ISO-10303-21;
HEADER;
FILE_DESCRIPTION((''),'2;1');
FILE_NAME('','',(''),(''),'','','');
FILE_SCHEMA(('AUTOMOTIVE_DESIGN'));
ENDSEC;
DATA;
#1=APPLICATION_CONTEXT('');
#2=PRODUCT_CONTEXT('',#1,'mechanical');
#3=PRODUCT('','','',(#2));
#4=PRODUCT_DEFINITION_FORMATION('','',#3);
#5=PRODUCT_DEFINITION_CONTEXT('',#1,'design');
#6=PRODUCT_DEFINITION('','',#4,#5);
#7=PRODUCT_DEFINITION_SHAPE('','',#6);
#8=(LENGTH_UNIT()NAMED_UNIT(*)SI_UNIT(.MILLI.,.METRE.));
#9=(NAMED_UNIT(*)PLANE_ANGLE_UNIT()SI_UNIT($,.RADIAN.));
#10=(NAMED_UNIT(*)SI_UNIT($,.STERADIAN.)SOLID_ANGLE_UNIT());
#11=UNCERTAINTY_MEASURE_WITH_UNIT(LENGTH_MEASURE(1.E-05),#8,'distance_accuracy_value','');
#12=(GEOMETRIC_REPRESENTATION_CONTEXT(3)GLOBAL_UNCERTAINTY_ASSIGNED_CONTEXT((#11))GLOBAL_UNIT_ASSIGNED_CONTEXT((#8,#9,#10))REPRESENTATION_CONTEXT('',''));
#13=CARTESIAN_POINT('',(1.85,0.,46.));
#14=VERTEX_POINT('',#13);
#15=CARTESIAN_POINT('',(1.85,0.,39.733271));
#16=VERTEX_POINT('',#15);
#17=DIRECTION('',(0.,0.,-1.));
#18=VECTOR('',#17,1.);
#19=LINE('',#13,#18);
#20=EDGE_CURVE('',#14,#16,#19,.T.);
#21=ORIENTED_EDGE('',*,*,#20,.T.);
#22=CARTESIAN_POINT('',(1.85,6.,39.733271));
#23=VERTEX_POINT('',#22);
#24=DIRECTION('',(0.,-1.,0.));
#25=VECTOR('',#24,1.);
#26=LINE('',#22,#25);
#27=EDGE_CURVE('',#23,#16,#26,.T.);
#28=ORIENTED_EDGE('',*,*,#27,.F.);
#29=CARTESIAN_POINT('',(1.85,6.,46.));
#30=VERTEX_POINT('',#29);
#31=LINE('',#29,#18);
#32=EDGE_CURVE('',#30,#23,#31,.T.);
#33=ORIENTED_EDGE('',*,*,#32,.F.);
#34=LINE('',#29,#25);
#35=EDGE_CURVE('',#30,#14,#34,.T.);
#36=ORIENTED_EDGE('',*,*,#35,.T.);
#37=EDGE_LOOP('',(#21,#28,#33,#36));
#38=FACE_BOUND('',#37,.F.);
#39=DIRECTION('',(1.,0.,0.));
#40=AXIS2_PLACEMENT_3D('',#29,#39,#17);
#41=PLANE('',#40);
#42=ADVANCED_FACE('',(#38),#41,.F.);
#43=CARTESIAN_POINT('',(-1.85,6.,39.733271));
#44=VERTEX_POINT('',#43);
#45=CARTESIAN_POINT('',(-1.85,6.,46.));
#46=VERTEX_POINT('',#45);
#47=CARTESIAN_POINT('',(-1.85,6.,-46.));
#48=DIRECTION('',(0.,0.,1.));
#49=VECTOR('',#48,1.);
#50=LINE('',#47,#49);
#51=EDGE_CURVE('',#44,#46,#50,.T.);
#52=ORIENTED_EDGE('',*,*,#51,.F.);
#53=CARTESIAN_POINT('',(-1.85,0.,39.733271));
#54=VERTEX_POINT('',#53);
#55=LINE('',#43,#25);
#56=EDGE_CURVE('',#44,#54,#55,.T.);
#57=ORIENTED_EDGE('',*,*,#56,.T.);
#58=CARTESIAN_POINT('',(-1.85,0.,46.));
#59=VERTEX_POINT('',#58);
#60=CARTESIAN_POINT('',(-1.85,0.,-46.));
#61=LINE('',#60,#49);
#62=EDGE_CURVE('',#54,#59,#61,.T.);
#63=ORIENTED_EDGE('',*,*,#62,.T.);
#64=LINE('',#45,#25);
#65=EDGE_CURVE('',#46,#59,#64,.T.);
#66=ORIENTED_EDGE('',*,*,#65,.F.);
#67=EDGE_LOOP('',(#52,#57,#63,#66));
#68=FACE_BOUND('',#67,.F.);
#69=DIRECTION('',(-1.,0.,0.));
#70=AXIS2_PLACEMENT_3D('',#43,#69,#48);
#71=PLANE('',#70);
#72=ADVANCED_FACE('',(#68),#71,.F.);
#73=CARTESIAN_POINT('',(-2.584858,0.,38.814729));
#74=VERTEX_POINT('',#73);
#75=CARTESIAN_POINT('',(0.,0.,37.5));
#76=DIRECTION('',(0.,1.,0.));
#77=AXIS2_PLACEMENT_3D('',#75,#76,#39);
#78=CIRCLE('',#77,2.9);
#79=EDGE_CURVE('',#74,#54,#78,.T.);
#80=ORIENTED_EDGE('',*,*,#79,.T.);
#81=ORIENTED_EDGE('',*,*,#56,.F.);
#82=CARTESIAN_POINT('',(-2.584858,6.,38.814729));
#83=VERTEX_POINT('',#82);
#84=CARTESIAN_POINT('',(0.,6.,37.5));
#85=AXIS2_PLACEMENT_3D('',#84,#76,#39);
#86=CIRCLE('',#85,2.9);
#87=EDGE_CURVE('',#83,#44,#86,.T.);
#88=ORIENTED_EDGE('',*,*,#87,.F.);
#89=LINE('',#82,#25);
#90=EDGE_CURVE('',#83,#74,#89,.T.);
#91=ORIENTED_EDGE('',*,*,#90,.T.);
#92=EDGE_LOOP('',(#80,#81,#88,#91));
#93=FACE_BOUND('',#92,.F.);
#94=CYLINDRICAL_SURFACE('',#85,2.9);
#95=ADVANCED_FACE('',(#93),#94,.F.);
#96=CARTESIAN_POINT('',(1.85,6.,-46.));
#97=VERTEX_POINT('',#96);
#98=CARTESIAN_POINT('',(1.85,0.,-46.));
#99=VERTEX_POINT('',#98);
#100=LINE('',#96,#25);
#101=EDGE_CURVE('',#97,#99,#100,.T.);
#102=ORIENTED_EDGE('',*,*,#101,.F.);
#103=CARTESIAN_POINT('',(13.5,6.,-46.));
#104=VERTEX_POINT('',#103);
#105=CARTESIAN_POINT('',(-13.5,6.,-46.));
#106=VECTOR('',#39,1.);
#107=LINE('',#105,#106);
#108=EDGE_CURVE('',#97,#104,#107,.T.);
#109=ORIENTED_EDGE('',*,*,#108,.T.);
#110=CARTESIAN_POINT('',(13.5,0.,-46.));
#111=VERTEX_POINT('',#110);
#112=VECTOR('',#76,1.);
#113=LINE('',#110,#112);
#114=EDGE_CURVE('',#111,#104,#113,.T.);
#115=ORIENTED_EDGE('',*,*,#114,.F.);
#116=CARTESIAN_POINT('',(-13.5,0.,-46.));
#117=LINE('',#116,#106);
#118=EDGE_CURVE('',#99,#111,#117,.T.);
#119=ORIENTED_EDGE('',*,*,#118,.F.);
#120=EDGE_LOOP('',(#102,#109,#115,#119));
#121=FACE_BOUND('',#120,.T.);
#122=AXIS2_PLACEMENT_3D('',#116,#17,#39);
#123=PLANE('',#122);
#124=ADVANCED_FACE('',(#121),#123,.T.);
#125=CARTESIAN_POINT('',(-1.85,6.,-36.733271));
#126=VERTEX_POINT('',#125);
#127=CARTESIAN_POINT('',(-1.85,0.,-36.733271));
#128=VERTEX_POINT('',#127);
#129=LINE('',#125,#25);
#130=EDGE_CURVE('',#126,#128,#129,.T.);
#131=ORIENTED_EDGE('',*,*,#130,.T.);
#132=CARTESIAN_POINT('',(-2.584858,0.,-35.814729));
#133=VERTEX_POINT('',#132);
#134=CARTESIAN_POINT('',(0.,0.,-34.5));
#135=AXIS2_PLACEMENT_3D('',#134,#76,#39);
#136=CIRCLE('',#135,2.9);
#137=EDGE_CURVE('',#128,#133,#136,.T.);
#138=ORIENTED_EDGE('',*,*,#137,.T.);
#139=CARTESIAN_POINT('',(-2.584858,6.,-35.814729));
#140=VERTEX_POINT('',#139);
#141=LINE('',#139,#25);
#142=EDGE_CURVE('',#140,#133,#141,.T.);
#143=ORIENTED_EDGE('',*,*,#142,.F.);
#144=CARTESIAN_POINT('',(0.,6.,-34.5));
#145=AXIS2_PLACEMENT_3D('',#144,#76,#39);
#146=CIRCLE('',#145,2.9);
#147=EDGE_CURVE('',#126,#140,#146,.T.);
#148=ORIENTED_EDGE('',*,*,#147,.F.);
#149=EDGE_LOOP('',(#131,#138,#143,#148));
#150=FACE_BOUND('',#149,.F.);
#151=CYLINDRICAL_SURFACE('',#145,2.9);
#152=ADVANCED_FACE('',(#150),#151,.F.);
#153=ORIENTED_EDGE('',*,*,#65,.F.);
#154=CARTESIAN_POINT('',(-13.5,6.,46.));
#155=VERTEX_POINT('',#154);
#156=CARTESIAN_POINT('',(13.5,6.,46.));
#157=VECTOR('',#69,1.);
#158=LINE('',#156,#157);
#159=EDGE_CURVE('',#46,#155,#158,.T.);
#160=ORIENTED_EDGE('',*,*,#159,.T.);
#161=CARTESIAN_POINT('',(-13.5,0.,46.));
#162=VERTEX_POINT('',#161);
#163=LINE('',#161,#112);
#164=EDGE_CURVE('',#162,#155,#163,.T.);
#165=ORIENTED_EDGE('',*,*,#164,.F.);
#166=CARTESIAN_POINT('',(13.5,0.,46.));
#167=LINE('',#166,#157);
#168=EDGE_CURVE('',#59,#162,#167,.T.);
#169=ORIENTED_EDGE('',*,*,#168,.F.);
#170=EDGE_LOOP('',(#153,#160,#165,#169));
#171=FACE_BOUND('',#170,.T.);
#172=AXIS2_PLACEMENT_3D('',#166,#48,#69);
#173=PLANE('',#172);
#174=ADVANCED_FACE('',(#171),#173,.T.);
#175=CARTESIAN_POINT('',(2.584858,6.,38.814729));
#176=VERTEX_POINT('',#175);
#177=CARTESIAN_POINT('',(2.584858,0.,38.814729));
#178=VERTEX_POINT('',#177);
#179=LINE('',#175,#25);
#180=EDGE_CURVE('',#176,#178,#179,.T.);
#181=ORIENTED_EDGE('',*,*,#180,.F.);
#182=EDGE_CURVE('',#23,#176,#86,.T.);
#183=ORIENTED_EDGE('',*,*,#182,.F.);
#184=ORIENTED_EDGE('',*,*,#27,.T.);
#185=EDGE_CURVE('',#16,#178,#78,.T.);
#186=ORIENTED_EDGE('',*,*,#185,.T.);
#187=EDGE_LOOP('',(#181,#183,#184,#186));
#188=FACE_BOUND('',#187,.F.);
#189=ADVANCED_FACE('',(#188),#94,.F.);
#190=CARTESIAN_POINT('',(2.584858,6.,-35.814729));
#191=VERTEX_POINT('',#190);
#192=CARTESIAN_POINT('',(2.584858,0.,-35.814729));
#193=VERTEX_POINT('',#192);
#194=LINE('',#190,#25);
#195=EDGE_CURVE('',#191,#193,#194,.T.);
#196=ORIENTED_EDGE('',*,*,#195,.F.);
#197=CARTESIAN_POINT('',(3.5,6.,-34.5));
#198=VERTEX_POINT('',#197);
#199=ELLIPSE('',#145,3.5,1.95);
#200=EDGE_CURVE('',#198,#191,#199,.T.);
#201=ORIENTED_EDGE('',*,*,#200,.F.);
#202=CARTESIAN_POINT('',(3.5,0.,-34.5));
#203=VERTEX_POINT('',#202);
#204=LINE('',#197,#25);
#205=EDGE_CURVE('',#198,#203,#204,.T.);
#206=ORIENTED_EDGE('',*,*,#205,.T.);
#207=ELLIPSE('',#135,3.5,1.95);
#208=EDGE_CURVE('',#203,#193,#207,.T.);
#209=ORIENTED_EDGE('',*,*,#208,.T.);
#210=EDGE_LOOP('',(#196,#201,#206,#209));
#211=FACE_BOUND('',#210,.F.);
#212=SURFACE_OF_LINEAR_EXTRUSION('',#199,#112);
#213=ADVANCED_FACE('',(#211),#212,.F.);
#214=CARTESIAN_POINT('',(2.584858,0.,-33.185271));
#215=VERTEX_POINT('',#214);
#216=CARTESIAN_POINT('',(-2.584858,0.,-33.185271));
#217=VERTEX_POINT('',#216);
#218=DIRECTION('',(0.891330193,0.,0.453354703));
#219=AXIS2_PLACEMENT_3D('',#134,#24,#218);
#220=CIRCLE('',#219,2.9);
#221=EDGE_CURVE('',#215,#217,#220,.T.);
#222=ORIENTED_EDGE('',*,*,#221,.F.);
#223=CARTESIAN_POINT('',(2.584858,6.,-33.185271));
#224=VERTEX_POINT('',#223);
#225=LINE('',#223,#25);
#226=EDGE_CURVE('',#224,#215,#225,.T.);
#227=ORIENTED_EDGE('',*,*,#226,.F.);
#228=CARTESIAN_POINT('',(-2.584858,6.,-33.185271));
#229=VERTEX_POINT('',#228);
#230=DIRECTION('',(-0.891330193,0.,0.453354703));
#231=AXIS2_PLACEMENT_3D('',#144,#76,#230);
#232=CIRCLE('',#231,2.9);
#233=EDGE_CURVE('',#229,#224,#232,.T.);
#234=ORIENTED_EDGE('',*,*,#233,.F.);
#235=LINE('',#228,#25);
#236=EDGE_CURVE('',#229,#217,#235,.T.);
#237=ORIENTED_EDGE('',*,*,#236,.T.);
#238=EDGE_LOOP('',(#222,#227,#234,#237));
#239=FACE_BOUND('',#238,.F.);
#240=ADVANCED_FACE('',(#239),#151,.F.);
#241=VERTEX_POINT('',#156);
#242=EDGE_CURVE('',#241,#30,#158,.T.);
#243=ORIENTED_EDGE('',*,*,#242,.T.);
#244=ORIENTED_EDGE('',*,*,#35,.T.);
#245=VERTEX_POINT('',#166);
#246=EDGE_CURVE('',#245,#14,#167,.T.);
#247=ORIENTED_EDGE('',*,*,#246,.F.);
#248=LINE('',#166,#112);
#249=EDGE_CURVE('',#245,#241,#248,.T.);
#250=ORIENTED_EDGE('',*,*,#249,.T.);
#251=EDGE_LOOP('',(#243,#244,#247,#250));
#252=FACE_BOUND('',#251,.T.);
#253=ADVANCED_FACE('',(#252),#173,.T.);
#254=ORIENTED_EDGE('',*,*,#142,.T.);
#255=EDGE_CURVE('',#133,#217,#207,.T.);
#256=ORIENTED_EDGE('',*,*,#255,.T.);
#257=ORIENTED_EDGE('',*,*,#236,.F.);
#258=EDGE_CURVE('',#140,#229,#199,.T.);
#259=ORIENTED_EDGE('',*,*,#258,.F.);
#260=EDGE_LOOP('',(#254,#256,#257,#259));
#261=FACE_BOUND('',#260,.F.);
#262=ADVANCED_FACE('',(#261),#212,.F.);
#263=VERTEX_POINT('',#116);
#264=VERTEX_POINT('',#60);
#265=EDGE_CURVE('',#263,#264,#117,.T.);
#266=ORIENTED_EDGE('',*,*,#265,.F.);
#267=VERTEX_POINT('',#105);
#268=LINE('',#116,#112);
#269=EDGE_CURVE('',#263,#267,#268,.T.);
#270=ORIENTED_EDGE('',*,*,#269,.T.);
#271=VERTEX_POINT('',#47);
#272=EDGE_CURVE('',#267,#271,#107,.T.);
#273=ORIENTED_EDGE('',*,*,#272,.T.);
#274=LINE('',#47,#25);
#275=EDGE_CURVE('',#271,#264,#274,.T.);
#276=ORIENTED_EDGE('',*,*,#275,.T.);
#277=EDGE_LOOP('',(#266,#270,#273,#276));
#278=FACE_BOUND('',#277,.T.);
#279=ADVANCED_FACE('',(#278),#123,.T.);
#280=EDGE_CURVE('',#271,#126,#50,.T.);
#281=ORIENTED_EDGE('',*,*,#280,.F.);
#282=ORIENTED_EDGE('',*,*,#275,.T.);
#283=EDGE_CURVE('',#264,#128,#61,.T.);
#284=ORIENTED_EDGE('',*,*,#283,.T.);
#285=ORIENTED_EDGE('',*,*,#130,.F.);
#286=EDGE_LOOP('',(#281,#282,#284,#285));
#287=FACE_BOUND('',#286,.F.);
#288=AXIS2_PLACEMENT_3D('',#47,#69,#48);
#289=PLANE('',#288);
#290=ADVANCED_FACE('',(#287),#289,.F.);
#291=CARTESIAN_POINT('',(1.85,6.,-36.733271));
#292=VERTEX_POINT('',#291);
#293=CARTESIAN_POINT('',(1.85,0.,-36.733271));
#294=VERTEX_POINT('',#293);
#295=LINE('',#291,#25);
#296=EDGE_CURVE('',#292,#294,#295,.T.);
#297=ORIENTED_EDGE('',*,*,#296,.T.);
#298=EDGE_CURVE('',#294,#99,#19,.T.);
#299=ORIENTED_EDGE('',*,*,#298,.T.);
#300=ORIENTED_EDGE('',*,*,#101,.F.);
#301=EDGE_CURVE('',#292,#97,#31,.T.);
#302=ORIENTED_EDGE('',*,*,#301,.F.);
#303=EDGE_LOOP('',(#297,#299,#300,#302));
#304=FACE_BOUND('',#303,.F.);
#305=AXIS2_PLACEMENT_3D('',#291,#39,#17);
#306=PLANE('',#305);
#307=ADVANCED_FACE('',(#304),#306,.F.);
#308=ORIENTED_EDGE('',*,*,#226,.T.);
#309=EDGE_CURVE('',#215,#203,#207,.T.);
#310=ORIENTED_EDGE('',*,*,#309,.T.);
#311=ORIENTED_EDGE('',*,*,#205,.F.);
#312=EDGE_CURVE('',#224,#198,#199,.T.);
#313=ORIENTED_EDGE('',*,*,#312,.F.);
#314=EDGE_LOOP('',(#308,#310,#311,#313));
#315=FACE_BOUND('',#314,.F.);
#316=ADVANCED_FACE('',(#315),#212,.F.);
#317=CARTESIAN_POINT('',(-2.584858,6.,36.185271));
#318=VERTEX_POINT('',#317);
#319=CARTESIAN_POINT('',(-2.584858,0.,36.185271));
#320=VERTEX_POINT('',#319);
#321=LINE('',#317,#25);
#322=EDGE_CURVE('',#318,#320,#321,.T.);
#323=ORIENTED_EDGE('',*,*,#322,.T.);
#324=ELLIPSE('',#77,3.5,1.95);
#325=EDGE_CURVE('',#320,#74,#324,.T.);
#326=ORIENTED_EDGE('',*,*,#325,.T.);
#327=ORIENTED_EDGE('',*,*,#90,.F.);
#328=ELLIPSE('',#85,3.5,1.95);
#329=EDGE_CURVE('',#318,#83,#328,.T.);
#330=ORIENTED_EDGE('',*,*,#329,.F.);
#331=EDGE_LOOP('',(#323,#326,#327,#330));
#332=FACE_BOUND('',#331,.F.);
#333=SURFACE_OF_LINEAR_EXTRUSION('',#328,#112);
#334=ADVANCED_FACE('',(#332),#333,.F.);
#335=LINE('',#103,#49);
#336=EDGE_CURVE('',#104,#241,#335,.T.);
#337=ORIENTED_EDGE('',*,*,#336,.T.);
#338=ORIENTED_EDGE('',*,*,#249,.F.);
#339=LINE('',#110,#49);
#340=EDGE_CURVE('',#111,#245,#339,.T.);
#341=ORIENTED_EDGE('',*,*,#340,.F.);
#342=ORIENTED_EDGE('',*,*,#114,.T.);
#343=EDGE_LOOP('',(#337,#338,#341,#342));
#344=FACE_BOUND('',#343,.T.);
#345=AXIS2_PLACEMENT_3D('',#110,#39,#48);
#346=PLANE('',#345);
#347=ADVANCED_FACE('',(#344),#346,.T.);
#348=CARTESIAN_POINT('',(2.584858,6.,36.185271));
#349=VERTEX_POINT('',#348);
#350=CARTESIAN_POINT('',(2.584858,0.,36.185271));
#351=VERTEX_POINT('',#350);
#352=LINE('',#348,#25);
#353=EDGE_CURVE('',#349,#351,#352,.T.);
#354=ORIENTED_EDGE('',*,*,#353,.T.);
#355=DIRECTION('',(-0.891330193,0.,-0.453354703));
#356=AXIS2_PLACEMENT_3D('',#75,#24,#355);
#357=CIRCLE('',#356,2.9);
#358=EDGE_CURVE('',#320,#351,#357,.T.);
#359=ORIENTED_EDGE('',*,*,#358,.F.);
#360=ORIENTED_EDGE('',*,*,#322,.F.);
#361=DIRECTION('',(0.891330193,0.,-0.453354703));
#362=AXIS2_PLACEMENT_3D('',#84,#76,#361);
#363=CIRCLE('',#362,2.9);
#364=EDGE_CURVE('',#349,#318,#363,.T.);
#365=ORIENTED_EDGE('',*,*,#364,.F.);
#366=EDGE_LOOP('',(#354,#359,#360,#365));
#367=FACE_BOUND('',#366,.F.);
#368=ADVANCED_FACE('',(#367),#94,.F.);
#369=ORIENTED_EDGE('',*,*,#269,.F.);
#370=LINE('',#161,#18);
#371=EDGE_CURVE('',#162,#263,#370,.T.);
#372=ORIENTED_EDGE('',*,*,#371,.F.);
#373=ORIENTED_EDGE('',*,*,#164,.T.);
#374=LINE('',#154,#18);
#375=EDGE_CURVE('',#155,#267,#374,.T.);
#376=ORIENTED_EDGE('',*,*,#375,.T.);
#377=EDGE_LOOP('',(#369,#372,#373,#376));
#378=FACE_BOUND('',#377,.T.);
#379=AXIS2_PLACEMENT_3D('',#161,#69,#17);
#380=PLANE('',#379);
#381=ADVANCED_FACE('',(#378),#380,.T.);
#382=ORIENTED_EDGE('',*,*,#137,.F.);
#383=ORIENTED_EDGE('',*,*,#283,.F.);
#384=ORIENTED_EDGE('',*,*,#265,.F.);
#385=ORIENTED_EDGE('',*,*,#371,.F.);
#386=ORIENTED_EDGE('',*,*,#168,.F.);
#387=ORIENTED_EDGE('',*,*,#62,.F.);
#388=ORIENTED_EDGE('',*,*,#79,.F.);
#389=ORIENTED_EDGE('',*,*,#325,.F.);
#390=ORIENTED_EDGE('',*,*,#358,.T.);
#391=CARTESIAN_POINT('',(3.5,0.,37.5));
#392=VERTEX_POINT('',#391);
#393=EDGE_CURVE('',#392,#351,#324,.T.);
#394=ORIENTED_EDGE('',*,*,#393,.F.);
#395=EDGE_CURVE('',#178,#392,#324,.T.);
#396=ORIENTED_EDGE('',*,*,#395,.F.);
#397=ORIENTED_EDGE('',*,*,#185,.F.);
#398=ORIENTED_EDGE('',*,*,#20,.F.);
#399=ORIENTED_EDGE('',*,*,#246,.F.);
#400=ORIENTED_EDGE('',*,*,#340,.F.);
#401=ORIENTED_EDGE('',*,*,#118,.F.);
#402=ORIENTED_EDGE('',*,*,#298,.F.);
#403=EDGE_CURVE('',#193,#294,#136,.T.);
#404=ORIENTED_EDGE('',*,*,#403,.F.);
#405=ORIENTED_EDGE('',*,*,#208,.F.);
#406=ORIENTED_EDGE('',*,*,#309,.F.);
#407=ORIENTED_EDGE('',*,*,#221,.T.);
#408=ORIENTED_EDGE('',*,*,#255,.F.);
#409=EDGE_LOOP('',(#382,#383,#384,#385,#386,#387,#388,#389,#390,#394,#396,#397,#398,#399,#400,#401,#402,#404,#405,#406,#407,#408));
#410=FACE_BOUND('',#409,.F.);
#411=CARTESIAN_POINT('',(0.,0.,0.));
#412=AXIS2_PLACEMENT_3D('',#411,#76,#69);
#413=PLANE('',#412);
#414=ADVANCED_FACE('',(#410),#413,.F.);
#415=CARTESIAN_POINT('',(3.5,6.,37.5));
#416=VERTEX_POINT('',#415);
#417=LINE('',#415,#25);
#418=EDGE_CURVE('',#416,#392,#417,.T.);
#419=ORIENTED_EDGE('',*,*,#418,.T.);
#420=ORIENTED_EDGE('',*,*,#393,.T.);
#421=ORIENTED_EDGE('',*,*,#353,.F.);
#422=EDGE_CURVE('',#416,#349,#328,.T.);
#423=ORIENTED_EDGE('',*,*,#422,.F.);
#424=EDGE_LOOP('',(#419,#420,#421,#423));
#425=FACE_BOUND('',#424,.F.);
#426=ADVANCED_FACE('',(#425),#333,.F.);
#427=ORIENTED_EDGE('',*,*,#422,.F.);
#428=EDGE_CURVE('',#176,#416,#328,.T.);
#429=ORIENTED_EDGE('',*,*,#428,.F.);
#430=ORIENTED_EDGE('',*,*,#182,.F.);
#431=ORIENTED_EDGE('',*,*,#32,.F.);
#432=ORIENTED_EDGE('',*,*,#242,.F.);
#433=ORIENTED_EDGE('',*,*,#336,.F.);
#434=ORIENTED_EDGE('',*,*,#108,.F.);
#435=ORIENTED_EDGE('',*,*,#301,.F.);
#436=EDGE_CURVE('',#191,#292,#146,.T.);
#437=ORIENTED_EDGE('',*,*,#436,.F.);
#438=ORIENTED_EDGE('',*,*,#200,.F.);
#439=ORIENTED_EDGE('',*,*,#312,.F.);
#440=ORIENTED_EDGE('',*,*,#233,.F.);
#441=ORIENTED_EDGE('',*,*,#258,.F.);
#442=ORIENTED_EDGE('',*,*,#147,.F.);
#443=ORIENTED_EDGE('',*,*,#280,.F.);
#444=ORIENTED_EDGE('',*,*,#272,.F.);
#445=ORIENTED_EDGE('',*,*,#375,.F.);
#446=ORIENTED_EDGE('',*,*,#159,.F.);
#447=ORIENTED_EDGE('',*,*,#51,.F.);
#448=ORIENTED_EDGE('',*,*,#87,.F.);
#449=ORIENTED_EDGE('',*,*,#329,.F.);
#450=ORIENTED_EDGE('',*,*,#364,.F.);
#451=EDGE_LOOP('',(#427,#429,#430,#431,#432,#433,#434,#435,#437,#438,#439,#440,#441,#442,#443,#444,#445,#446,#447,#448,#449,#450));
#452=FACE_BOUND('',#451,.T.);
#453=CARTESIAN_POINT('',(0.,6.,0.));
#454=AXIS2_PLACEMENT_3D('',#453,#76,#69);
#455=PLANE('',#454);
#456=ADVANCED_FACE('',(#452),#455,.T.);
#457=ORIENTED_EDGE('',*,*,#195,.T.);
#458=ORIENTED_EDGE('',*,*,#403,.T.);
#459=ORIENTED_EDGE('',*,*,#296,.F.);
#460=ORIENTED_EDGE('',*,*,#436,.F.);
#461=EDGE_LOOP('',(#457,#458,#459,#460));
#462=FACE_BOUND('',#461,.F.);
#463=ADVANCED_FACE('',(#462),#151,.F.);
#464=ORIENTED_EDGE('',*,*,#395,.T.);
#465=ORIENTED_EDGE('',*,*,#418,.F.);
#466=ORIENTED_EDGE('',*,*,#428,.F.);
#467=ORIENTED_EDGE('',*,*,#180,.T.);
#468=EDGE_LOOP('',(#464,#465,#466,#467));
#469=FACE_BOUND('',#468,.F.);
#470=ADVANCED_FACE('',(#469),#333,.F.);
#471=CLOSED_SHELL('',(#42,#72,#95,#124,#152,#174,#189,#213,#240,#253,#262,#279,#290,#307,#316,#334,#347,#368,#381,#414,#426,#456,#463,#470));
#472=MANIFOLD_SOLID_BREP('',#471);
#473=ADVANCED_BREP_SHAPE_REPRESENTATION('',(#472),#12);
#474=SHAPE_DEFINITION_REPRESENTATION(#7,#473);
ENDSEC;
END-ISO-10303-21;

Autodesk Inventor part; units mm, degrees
ref_plane "YZ Plane" through (0, 0, 0) normal (1, 0, 0) x (0, 1, 0)
ref_plane "XZ Plane" through (0, 0, 0) normal (0, 1, 0) x (-1, 0, 0)
ref_plane "XY Plane" through (0, 0, 0) normal (0, 0, 1) x (1, 0, 0)
sketch "Sketch1" plane through (0, 0, 0) normal (0, 1, 0) x (-1, 0, 0)
  line L0 (-13.5, 46) -> (13.5, 46)
  line L1 (13.5, 46) -> (13.5, -46)
  line L2 (13.5, -46) -> (-13.5, -46)
  line L3 (-13.5, -46) -> (-13.5, 46)
  line L4 (-13.5, 46) -> (13.5, -46) construction
  line L5 (13.5, 46) -> (-13.5, -46) construction
  point P0 (0, 0)
  dimension "d0" = 27
  dimension "d1" = 92
extrude "Extrusion1" add sketch "Sketch1" along normal blind 6
sketch "Sketch2" plane through (0, 6, 0) normal (0, 1, 0) x (1, 0, 0)
  line L0 (13.5, 46) -> (-13.5, 46) projected
  line L1 (-13.5, 46) -> (-13.5, -46) projected
  line L2 (-13.5, -46) -> (13.5, -46) projected
  line L3 (13.5, -46) -> (13.5, 46) projected
  line L4 (0, -46) -> (0, -37.5) construction
  line L5 (0, 46) -> (0, 34.5) construction
  circle A0 centre (0, -37.5) radius 2.9
  circle A1 centre (0, 34.5) radius 2.9
  line L6 (0, 34.5) -> (1.85, 34.5) construction
  line L7 (0, 34.5) -> (-1.85, 34.5) construction
  line L8 (-1.85, 46) -> (-1.85, -46)
  line L9 (1.85, -46) -> (1.85, 46)
  ellipse E0 centre (0, 34.5) end of major axis (3.5, 34.5) minor radius 1.95
  line L10 (-13.5, 0) -> (13.5, 0) construction
  ellipse E1 centre (0, -37.5) end of major axis (3.5, -37.5) minor radius 1.95
  point P0 (0, 0)
  point P1 (-1.85, 36.7333)
  point P2 (1.85, 36.7333)
  point P3 (1.85, -39.7333)
  point P4 (-1.85, -39.7333)
  point P5 (2.5849, 35.8147)
  point P6 (2.5849, 33.1853)
  point P7 (-2.5849, 33.1853)
  point P8 (-2.5849, 35.8147)
  point P9 (-2.5849, -38.8147)
  point P10 (-2.5849, -36.1853)
  point P11 (2.5849, -36.1853)
  point P12 (2.5849, -38.8147)
  dimension "d12" = 1.95
  dimension "d13" = 3.5
  dimension "d14" = 1.95
  dimension "d15" = 3.5
  dimension "d4" = 8.5
  dimension "d5" = 11.5
  dimension "d6" = 5.8
  dimension "d7" = 5.8
  dimension "d8" = 1.85
  dimension "d9" = 1.85
extrude "Extrusion2" cut sketch "Sketch2" against normal blind 6 contours L9 A1 L8 L0 | L9 E0 L8 A1 | A1 E0 L9 | L2 L8 A0 L9 | L8 E0 A1 | E0 A1 | A1 E0 L9 | L9 E0 L8 | L9 E1 A0 | A0 L8 E1 L9 | E0 L8 A1 | A1 E0 | E0 A1 L9 | L9 A1 L8 E0 | A0 E1 L8 | E1 L9 A0 | A0 E1 | E1 L8 L9 | E0 L8 A1 | E1 A0 | A0 E1 L8 | E1 L8 A0 L9 | L9 A0 E1 | A0 L8 E1
sketch "Sketch3" plane through (0, 6, 0) normal (0, 1, 0) x (1, 0, 0)
  point P0 (0, 0)
properties part number "Male blade connector Plate"
